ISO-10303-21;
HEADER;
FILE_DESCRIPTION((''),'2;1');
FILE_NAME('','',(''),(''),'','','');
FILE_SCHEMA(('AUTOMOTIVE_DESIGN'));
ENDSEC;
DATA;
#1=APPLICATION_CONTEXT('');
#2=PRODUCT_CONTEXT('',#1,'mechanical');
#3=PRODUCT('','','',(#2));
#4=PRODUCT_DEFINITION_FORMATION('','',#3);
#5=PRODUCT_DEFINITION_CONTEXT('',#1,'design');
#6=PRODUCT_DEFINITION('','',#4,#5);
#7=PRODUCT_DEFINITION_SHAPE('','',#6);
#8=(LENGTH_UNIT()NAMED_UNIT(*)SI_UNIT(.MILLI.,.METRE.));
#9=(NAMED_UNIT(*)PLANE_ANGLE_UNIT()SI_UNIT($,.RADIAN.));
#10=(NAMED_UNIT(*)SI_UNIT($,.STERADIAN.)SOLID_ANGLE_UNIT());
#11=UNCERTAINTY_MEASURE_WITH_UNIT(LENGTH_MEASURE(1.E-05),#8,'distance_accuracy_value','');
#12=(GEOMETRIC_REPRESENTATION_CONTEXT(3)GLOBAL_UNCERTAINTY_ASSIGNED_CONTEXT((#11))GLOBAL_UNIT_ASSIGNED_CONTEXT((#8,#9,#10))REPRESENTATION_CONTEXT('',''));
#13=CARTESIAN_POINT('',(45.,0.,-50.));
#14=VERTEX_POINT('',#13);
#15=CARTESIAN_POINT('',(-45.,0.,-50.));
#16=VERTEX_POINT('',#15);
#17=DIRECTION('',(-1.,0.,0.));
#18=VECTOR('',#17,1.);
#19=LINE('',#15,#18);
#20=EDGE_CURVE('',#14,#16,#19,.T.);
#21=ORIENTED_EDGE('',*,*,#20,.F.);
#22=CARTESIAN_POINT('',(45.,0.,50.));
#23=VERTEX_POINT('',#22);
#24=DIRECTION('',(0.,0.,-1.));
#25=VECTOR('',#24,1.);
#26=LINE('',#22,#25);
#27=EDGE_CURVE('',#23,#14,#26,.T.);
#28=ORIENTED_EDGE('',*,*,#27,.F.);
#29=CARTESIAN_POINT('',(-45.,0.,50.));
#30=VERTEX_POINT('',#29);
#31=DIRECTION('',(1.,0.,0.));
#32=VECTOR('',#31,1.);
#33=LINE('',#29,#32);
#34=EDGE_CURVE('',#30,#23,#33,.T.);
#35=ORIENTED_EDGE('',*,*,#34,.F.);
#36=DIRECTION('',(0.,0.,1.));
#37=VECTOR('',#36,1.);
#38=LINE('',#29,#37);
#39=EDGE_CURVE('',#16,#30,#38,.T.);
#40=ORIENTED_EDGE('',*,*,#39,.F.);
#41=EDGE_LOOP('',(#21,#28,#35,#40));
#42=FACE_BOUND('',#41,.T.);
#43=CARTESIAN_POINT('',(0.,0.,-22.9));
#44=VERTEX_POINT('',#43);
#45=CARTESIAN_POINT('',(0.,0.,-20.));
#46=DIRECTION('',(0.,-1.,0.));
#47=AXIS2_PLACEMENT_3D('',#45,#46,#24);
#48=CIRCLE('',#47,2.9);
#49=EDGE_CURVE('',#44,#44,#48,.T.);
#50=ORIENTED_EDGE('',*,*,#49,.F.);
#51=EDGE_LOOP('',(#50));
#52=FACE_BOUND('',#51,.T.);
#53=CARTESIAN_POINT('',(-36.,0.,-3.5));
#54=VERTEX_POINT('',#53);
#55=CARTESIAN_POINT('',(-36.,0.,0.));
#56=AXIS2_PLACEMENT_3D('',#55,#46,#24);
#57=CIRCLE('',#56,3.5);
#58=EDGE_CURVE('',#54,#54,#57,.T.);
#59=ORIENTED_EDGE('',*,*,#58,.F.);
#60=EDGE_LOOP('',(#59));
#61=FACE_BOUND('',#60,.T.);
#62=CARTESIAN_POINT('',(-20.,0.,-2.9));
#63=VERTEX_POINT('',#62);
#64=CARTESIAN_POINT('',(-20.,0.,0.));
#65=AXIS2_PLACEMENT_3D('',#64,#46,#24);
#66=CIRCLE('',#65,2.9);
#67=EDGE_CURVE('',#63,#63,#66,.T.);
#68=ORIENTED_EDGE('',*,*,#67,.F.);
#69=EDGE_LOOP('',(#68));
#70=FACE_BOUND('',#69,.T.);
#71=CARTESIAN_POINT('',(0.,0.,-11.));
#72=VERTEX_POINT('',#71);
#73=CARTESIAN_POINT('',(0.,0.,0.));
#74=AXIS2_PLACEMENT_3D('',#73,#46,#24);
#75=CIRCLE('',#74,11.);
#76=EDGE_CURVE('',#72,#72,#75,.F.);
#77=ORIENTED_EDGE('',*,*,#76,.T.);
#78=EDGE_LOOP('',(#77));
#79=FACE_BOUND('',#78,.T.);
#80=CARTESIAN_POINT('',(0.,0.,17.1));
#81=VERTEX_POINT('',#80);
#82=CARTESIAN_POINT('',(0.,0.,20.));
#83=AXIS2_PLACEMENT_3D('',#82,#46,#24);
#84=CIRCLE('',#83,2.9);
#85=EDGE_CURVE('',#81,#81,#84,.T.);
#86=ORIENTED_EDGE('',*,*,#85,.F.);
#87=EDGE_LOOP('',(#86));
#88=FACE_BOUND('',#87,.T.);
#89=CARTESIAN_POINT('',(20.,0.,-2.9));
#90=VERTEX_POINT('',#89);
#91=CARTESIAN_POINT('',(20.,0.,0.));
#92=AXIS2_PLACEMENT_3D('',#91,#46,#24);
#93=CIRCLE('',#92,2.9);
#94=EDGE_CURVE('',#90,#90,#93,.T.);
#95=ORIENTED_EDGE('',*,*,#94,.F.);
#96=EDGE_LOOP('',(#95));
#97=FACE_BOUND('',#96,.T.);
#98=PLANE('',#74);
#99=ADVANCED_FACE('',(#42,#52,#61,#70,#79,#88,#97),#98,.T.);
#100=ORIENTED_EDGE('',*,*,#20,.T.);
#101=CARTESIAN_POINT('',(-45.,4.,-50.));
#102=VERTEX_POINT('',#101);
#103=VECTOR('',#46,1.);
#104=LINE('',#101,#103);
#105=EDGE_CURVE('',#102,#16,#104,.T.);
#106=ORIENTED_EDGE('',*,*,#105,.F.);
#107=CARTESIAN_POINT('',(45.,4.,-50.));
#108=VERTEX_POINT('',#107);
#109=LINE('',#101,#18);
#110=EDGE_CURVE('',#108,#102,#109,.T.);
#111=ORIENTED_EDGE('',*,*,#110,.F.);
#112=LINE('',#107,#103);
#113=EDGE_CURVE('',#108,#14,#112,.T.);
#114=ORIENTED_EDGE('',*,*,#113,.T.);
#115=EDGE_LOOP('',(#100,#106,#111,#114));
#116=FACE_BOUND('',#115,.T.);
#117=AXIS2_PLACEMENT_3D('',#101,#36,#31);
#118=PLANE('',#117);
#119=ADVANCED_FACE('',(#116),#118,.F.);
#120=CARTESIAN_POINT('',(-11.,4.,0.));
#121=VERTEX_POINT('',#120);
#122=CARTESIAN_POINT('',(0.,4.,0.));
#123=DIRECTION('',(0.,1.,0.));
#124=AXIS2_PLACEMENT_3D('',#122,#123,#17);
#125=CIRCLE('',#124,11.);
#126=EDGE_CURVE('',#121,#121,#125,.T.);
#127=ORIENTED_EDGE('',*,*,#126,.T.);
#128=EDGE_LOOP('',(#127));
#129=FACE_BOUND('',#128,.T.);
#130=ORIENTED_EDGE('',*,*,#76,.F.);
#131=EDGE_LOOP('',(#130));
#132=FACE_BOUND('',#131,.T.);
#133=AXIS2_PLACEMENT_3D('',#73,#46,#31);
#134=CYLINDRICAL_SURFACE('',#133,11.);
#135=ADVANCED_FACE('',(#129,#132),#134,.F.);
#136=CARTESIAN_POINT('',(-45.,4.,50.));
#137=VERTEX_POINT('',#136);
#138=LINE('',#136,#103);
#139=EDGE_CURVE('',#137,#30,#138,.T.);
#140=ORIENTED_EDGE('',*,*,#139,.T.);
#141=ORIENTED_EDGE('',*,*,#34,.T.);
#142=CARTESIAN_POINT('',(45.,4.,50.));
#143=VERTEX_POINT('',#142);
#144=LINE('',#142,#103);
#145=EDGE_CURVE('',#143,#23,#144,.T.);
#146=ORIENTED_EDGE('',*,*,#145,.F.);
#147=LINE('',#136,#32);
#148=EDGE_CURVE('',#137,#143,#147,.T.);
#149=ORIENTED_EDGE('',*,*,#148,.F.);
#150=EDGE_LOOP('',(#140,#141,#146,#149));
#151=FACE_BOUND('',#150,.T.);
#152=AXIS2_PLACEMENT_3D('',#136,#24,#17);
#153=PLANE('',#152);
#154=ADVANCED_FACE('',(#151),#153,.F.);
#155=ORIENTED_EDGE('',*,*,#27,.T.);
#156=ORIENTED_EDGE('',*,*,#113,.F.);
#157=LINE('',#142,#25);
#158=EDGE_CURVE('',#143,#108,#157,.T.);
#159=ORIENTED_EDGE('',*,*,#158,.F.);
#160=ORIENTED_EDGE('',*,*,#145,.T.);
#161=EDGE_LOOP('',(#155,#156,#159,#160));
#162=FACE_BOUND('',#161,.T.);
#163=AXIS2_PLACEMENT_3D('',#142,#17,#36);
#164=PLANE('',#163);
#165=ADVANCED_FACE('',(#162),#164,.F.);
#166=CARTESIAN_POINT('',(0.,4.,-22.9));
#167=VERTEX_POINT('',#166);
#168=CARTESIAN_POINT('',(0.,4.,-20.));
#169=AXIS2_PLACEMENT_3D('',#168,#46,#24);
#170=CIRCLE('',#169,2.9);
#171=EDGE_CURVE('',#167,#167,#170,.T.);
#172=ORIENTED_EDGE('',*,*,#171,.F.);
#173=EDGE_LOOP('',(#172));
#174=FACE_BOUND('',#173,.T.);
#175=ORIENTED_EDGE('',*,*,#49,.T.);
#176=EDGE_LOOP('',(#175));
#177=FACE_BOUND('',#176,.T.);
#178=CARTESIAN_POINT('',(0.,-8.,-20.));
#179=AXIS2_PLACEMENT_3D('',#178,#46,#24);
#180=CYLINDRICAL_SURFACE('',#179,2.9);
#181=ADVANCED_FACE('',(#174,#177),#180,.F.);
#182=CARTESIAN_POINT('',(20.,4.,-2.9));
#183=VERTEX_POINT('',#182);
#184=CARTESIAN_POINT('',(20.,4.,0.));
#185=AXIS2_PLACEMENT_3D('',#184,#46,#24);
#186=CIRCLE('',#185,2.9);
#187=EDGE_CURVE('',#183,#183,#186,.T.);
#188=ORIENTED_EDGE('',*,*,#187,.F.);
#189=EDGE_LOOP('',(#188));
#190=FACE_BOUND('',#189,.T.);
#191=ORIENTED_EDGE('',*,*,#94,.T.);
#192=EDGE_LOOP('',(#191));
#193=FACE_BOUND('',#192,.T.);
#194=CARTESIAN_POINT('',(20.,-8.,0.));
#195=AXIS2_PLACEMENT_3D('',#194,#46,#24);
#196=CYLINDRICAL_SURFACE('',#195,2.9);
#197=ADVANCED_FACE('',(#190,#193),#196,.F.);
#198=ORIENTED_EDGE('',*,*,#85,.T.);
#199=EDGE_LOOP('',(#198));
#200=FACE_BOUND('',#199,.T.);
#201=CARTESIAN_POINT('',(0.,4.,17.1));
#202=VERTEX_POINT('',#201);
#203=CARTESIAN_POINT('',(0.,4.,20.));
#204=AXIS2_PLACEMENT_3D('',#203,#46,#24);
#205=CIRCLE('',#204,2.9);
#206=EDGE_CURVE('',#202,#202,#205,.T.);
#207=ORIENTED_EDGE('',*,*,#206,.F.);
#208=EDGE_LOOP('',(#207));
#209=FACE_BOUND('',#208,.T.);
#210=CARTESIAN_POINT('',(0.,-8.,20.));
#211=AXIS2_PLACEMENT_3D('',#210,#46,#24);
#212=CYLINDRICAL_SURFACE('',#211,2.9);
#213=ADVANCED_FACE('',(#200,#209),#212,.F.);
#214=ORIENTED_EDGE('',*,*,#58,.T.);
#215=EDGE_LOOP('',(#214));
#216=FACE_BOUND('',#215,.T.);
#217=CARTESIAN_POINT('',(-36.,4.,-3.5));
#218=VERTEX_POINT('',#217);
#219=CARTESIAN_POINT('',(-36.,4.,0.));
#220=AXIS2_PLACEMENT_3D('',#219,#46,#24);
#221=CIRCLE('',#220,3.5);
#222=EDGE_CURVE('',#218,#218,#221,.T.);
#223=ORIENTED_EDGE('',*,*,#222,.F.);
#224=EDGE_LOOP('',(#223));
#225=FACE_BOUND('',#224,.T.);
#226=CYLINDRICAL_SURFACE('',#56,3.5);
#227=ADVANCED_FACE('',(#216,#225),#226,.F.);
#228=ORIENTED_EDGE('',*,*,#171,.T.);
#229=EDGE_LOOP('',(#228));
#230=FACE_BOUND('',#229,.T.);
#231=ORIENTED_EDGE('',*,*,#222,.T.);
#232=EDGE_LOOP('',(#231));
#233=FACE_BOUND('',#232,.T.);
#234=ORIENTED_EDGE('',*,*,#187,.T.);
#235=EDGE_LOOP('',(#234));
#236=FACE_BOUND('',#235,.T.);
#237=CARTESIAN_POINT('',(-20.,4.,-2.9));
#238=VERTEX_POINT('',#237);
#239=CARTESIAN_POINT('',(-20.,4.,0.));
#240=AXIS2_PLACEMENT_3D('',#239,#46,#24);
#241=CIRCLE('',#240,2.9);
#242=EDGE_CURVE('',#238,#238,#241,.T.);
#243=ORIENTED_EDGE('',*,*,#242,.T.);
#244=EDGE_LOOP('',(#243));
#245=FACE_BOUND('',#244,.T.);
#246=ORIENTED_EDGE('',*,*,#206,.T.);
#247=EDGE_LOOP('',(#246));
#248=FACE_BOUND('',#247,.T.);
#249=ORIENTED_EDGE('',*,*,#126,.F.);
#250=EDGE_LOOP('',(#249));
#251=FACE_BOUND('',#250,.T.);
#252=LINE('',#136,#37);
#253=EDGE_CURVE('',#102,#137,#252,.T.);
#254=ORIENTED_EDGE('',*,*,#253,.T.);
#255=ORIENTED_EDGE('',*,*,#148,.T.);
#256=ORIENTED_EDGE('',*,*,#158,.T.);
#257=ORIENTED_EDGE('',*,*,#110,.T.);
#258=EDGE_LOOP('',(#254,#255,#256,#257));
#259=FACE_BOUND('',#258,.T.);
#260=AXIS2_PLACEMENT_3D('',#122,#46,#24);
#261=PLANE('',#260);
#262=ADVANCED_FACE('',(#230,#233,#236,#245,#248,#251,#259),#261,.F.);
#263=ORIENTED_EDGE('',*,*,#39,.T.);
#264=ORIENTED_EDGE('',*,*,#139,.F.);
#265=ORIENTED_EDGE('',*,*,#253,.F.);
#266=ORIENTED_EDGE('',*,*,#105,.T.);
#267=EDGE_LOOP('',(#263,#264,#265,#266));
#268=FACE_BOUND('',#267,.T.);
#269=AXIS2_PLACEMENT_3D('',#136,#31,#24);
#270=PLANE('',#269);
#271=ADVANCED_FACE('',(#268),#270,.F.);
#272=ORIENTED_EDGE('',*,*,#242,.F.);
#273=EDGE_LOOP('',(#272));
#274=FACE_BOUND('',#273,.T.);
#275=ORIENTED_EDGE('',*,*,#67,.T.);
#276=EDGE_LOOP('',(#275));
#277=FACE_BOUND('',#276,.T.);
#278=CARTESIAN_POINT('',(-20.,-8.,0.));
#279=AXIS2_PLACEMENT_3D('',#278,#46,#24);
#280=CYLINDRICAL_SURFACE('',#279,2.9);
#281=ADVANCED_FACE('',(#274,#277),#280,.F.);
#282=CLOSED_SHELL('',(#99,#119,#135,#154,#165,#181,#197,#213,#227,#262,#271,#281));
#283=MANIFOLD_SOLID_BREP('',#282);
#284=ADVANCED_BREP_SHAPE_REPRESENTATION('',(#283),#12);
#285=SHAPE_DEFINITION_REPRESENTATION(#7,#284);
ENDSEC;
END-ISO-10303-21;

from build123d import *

# Parameters (mm, degrees)
ESQUISSE1_W                  = 90
ESQUISSE1_H                  = 100
BOSS_EXTRU_1_DEPTH           = 4
ENL_V_MAT_EXTRU_1_DEPTH      = 1401.799142477
ENL_V_MAT_EXTRU_1_DEPTH_BACK = 1401.799142477
ESQUISSE2_R                  = 11
D_GAGEMENT_M51_D             = 5.8
D_GAGEMENT_M51_DEPTH         = 20
D_GAGEMENT_M51_TIP           = 1.742495795
D_GAGEMENT_M61_D             = 7
D_GAGEMENT_M61_DEPTH         = 20
D_GAGEMENT_M61_TIP           = 2.103012167


with BuildPart() as part:
    # Esquisse1 → Boss.-Extru.1 (new body)
    with BuildSketch(Plane(origin=(0, 0, 0), x_dir=(1, 0, 0), z_dir=(0, 1, 0))):
        Rectangle(ESQUISSE1_W, ESQUISSE1_H)
    extrude(amount=BOSS_EXTRU_1_DEPTH)

    # Esquisse2 → Enlèv. mat.-Extru.1 (cut, two sides: drawn at the far end of the back side and taken through both)
    with BuildSketch(Plane(origin=(-1346.410161514, -150, 0), x_dir=(0, 0, -1), z_dir=(0, 1, 0)).offset(-ENL_V_MAT_EXTRU_1_DEPTH_BACK)):
        with Locations((0, -1346.410161514)):
            Circle(ESQUISSE2_R)
    extrude(amount=ENL_V_MAT_EXTRU_1_DEPTH + ENL_V_MAT_EXTRU_1_DEPTH_BACK, mode=Mode.SUBTRACT)

    # Dégagement M51
    with Locations(Plane(origin=(0, -8, 0), x_dir=(-1, 0, 0), z_dir=(0, -1, 0))):
        with Locations((20, 0), (0, -20), (-20, 0), (0, 20)):
            Hole(D_GAGEMENT_M51_D / 2, depth=D_GAGEMENT_M51_DEPTH)
            with Locations((0, 0, -(D_GAGEMENT_M51_DEPTH + D_GAGEMENT_M51_TIP / 2))):  # 118° drill point
                Cone(0, D_GAGEMENT_M51_D / 2, D_GAGEMENT_M51_TIP, mode=Mode.SUBTRACT)

    # Dégagement M61
    with Locations(Plane(origin=(0, 0, 0), x_dir=(-1, 0, 0), z_dir=(0, -1, 0))):
        with Locations((36, 0)):
            Hole(D_GAGEMENT_M61_D / 2, depth=D_GAGEMENT_M61_DEPTH)
            with Locations((0, 0, -(D_GAGEMENT_M61_DEPTH + D_GAGEMENT_M61_TIP / 2))):  # 118° drill point
                Cone(0, D_GAGEMENT_M61_D / 2, D_GAGEMENT_M61_TIP, mode=Mode.SUBTRACT)


solid = part.part
